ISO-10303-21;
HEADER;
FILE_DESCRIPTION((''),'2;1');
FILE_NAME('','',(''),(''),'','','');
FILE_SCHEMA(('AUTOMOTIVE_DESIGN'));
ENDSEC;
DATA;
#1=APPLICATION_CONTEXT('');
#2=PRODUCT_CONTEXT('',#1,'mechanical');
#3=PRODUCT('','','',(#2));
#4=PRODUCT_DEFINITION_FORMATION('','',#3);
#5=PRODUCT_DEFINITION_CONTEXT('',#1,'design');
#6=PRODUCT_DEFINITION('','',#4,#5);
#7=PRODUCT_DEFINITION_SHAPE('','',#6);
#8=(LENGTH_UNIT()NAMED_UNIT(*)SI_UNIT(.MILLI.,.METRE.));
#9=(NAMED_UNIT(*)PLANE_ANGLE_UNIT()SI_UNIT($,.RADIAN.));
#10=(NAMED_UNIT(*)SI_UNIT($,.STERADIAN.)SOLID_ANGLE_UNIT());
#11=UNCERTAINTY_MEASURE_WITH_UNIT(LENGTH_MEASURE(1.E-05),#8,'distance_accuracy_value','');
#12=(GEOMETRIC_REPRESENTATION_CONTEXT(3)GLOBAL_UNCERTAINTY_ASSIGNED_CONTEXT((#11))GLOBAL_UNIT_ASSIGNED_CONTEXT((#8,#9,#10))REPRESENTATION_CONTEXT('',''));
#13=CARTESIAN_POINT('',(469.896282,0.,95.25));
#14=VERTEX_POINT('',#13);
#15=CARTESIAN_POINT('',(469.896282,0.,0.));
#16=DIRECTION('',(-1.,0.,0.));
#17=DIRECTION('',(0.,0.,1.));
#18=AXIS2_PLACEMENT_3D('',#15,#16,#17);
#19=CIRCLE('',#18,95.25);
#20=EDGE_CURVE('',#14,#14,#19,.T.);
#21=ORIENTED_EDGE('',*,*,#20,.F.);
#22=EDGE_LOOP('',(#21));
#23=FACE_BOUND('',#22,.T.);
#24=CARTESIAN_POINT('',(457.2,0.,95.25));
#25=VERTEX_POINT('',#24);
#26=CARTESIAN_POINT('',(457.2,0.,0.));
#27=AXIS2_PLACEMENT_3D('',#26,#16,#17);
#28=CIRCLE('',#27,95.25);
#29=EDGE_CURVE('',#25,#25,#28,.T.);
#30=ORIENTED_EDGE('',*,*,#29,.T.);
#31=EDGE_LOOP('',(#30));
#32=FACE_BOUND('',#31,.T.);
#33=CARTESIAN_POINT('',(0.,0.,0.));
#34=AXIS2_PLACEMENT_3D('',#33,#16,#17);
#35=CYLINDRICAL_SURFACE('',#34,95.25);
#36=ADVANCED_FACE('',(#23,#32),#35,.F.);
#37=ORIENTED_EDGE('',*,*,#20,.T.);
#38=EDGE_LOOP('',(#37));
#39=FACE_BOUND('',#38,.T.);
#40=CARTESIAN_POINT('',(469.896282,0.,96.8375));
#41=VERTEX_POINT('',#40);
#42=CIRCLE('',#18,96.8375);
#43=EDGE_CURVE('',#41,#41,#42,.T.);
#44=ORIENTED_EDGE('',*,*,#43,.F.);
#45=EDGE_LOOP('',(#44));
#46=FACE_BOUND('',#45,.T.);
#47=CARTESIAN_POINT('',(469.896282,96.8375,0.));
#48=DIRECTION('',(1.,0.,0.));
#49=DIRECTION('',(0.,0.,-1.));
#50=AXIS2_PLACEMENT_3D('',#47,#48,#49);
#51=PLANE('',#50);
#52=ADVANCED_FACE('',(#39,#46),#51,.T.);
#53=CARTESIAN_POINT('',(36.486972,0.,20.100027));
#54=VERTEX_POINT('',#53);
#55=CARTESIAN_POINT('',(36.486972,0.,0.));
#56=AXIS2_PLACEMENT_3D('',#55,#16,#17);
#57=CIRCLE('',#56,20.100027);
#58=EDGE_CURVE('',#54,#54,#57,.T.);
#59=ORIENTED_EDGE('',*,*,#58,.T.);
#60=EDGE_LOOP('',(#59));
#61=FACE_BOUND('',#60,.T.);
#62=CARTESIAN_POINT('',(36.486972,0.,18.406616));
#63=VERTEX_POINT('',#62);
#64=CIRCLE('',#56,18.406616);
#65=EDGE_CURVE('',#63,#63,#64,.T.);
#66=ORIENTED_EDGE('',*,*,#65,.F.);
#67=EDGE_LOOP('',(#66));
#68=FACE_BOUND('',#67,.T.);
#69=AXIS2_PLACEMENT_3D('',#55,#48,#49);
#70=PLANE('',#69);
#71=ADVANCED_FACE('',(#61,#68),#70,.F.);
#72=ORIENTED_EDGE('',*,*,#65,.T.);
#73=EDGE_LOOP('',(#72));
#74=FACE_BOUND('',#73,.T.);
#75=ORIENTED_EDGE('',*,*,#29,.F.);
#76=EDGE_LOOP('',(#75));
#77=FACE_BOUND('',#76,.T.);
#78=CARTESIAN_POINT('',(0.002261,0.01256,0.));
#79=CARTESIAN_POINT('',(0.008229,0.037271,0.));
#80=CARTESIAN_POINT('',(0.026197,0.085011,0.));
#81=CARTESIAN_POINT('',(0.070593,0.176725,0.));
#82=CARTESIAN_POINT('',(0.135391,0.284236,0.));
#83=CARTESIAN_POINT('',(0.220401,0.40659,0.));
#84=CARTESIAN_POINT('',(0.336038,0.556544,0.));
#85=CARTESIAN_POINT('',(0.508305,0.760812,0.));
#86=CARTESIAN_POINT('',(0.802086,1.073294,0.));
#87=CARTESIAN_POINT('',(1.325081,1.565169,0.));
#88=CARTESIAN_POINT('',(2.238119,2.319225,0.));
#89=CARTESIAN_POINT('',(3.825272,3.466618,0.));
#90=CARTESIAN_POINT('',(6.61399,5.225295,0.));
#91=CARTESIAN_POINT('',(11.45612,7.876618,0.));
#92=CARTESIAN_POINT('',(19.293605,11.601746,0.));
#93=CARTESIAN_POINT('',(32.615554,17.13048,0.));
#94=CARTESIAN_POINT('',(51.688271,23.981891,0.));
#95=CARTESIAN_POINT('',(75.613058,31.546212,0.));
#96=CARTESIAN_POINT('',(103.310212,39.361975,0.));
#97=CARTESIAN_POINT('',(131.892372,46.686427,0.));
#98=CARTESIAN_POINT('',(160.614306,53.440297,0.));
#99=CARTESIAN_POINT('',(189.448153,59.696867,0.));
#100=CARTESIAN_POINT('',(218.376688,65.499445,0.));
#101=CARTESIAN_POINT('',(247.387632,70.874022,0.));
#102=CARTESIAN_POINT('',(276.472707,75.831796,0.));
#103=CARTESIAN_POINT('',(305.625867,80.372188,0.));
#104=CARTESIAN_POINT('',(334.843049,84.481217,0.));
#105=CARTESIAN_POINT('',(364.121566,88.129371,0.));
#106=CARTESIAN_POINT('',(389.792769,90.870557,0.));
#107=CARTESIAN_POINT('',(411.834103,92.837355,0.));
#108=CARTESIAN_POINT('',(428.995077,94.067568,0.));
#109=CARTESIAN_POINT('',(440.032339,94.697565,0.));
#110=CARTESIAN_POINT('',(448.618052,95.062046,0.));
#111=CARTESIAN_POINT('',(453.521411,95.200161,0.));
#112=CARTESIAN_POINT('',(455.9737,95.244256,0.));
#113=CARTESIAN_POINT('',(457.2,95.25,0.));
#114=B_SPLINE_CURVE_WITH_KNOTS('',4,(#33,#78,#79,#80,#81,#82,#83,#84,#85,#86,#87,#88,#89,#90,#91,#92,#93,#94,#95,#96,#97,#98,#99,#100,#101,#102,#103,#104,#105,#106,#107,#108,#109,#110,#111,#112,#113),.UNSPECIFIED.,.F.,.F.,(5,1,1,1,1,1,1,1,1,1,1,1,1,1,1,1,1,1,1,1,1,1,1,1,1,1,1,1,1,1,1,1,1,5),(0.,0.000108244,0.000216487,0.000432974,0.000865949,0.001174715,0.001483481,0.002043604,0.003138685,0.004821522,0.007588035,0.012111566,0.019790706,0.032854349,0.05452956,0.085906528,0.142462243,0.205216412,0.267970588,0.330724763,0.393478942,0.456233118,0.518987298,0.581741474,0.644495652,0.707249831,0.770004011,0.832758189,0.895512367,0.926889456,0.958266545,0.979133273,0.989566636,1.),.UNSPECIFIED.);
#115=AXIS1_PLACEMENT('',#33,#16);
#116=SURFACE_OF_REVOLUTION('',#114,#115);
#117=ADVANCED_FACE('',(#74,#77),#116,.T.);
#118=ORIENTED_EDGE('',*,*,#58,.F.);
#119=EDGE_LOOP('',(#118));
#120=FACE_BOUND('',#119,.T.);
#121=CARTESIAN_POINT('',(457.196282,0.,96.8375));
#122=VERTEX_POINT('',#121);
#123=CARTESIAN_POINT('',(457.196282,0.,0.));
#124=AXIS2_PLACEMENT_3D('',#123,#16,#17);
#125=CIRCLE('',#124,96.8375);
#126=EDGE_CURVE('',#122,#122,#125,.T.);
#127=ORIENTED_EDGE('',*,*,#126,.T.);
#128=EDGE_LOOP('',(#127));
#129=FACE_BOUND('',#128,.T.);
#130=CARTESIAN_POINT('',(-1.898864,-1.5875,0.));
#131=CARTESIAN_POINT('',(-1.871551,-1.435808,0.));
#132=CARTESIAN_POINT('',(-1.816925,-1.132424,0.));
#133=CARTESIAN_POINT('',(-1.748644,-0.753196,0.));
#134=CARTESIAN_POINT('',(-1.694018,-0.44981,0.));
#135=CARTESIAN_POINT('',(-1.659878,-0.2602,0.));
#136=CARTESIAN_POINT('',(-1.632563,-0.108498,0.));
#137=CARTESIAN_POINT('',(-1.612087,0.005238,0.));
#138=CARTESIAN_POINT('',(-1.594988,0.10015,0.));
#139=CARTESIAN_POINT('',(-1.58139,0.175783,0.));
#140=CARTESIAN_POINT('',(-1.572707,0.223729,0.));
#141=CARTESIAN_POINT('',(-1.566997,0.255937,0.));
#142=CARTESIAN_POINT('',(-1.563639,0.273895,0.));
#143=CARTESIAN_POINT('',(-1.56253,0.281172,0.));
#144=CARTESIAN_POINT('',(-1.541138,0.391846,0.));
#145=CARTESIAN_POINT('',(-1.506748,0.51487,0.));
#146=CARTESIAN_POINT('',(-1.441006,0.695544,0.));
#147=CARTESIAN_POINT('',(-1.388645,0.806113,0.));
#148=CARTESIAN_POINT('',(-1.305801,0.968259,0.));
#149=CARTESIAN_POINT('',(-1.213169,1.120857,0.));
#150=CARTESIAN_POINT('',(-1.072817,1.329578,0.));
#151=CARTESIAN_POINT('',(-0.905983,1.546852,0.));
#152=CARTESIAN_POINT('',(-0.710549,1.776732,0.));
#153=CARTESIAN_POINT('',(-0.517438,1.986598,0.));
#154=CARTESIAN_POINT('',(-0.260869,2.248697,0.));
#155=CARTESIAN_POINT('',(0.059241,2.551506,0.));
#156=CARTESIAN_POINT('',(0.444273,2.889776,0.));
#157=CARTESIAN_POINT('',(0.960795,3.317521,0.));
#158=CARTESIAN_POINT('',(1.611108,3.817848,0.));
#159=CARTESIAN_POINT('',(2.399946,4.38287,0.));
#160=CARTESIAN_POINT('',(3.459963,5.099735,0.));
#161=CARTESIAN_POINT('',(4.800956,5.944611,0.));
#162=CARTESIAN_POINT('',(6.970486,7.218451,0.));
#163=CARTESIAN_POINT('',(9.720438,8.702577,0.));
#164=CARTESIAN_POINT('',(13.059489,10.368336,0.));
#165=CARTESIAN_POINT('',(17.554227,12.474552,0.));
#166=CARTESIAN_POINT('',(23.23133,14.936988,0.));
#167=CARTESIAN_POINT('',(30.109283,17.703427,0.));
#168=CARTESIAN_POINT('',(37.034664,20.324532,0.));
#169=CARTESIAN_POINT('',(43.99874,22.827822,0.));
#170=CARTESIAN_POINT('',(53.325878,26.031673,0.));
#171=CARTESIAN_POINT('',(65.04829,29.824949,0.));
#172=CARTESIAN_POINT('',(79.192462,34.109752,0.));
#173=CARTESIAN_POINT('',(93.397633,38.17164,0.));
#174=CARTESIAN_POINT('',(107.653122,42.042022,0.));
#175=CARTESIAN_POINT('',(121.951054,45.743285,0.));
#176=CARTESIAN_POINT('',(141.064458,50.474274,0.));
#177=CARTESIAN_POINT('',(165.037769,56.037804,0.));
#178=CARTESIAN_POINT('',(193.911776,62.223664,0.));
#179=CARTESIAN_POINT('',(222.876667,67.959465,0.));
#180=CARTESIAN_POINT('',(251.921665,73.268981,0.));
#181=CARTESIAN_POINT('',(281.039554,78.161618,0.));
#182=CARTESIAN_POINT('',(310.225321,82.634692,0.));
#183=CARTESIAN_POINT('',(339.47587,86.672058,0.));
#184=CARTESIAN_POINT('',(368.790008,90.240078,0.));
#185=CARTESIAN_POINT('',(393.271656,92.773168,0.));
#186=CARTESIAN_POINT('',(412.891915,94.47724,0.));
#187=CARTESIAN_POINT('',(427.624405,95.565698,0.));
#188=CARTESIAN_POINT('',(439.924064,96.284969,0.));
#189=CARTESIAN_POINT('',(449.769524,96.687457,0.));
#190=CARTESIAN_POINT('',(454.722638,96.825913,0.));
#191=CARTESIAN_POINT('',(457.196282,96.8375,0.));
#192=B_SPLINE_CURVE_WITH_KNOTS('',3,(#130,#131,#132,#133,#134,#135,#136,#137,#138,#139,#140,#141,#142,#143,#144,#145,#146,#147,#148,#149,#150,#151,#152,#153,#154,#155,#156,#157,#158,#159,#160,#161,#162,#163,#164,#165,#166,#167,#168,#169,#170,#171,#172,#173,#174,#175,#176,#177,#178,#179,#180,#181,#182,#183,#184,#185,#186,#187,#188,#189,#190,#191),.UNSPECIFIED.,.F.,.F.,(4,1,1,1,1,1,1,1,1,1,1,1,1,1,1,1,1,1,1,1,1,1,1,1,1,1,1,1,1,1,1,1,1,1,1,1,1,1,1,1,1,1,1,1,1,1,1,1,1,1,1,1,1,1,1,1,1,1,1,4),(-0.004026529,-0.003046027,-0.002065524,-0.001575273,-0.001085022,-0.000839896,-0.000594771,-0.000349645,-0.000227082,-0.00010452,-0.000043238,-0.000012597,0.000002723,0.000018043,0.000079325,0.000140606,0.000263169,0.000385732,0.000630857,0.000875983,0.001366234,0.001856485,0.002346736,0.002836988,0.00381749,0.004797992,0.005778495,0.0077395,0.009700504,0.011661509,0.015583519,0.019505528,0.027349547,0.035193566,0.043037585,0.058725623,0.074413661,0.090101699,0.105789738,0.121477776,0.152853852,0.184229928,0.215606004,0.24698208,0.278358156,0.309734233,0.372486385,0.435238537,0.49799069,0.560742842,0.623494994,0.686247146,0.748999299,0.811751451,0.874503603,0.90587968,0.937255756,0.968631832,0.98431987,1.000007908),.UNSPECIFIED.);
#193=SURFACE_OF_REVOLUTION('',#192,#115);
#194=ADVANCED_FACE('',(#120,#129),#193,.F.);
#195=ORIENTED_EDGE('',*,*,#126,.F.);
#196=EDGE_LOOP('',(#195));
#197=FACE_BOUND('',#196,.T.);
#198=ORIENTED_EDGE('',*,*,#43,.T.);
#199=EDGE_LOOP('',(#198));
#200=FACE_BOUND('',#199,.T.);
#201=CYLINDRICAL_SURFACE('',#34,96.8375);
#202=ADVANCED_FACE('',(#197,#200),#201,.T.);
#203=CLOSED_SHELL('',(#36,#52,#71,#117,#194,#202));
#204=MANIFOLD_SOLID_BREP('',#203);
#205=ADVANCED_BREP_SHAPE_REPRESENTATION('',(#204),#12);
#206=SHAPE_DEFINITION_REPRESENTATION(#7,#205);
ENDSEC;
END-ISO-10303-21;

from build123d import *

# Parameters (mm, degrees)
SKETCH2_R          = 96.8375
CUT_EXTRUDE1_DEPTH = 38.1


with BuildPart() as part:
    # Sketch1 → Revolve3 (revolve)
    with BuildSketch(Plane.XY, mode=Mode.PRIVATE) as revolve3_sk:
        with BuildLine():
            Line((457.2, 95.25), (469.896281998, 95.25))
            Line((469.896281998, 95.25), (469.896281998, 96.8375))
            Line((469.896281998, 96.8375), (457.196281998, 96.8375))
            add(Edge.make_bspline(
                [(-1.613027701, 0), (-1.612711878, 0.00175474), (-1.605563851, 0.041446569), (-1.594988186, 0.100149739), (-1.581389731, 0.175782501), (-1.572707122, 0.223728678), (-1.566997167, 0.255936942), (-1.563638571, 0.273894792), (-1.562530166, 0.281172056), (-1.54113805, 0.391845853), (-1.506748162, 0.514869843), (-1.441006297, 0.695544345), (-1.388645233, 0.806113014), (-1.305801045, 0.968259164), (-1.213168713, 1.120857252), (-1.072817399, 1.329577523), (-0.905983242, 1.546851815), (-0.710549212, 1.776732498), (-0.51743848, 1.986597944), (-0.260869397, 2.248696572), (0.059240882, 2.551506213), (0.444273305, 2.889775507), (0.960794747, 3.31752069), (1.611107989, 3.817847959), (2.399945553, 4.382869642), (3.459963218, 5.09973513), (4.800955867, 5.94461061), (6.97048626, 7.218451099), (9.720437652, 8.702577269), (13.059488776, 10.368335632), (17.554227076, 12.474552049), (23.231330402, 14.936988035), (30.109282575, 17.703427282), (37.034664222, 20.324531793), (43.998739715, 22.827822111), (53.325878023, 26.031673422), (65.048289722, 29.824948589), (79.192461596, 34.109751932), (93.397633025, 38.171640178), (107.653121858, 42.042021616), (121.951053653, 45.743284615), (141.064458448, 50.474273797), (165.03776907, 56.037803904), (193.911776008, 62.2236635), (222.876667343, 67.959465053), (251.92166464, 73.268981195), (281.039554234, 78.161617777), (310.225321028, 82.634691682), (339.475870497, 86.672057689), (368.790008375, 90.240078055), (393.271656318, 92.773167666), (412.891914508, 94.477240181), (427.624405065, 95.565697791), (439.924064117, 96.284968563), (449.769524012, 96.687456769), (454.72263814, 96.825913148), (457.196281998, 96.8375)],
                knots=[-0.000606109, -0.000606109, -0.000606109, -0.000606109, -0.000594771, -0.000349645, -0.000227082, -0.00010452, -4.3238e-05, -1.2597e-05, 2.723e-06, 1.8043e-05, 7.9325e-05, 0.000140606, 0.000263169, 0.000385732, 0.000630857, 0.000875983, 0.001366234, 0.001856485, 0.002346736, 0.002836988, 0.00381749, 0.004797992, 0.005778495, 0.0077395, 0.009700504, 0.011661509, 0.015583519, 0.019505528, 0.027349547, 0.035193566, 0.043037585, 0.058725623, 0.074413661, 0.090101699, 0.105789738, 0.121477776, 0.152853852, 0.184229928, 0.215606004, 0.24698208, 0.278358156, 0.309734233, 0.372486385, 0.435238537, 0.49799069, 0.560742842, 0.623494994, 0.686247146, 0.748999299, 0.811751451, 0.874503603, 0.90587968, 0.937255756, 0.968631832, 0.98431987, 1.000007908, 1.000007908, 1.000007908, 1.000007908], degree=3))
            Line((-1.613027701, 0), (0, 0))
            add(Edge.make_bspline(
                [(0, 0), (0.002261413, 0.012559634), (0.008229149, 0.03727132), (0.026197477, 0.085010802), (0.070593088, 0.176725307), (0.135390602, 0.284235785), (0.220401303, 0.406590084), (0.336037993, 0.556544126), (0.508304998, 0.760811711), (0.80208614, 1.073293742), (1.325080854, 1.565169332), (2.238118633, 2.319225256), (3.825271995, 3.466618443), (6.613989832, 5.225294798), (11.456120137, 7.876617711), (19.293604572, 11.601746405), (32.615554098, 17.130480015), (51.688271319, 23.981890995), (75.613057969, 31.54621241), (103.310212008, 39.361975261), (131.892371678, 46.686426538), (160.614305524, 53.440297164), (189.44815344, 59.696867207), (218.376688059, 65.499444524), (247.387631707, 70.874021631), (276.472706829, 75.831796355), (305.625866717, 80.372187528), (334.843049411, 84.481216859), (364.121565724, 88.129371268), (389.792768776, 90.870557363), (411.834102605, 92.837355417), (428.995077346, 94.067568174), (440.032338735, 94.69756489), (448.618051981, 95.062046142), (453.521410507, 95.200160943), (455.973700484, 95.244255862), (457.2, 95.25)],
                knots=[0, 0, 0, 0, 0, 0.000108244, 0.000216487, 0.000432974, 0.000865949, 0.001174715, 0.001483481, 0.002043604, 0.003138685, 0.004821522, 0.007588035, 0.012111566, 0.019790706, 0.032854349, 0.05452956, 0.085906528, 0.142462243, 0.205216412, 0.267970588, 0.330724763, 0.393478942, 0.456233118, 0.518987298, 0.581741474, 0.644495652, 0.707249831, 0.770004011, 0.832758189, 0.895512367, 0.926889456, 0.958266545, 0.979133273, 0.989566636, 1, 1, 1, 1, 1], degree=4))
        make_face()
    revolve(revolve3_sk.sketch.rotate(Axis((0, 0, 0), (1, 0, 0)), 90), axis=Axis((0, 0, 0), (1, 0, 0)))

    # Sketch2 → Cut-Extrude1 (cut)
    with BuildSketch(Plane(origin=(-1.613027875, 0, 0), x_dir=(0, 0, -1), z_dir=(1, 0, 0))):
        with Locations(Location((0, 0, 0), (0, 0, 180))):
            Circle(SKETCH2_R)
    extrude(amount=CUT_EXTRUDE1_DEPTH, mode=Mode.SUBTRACT)


solid = part.part
